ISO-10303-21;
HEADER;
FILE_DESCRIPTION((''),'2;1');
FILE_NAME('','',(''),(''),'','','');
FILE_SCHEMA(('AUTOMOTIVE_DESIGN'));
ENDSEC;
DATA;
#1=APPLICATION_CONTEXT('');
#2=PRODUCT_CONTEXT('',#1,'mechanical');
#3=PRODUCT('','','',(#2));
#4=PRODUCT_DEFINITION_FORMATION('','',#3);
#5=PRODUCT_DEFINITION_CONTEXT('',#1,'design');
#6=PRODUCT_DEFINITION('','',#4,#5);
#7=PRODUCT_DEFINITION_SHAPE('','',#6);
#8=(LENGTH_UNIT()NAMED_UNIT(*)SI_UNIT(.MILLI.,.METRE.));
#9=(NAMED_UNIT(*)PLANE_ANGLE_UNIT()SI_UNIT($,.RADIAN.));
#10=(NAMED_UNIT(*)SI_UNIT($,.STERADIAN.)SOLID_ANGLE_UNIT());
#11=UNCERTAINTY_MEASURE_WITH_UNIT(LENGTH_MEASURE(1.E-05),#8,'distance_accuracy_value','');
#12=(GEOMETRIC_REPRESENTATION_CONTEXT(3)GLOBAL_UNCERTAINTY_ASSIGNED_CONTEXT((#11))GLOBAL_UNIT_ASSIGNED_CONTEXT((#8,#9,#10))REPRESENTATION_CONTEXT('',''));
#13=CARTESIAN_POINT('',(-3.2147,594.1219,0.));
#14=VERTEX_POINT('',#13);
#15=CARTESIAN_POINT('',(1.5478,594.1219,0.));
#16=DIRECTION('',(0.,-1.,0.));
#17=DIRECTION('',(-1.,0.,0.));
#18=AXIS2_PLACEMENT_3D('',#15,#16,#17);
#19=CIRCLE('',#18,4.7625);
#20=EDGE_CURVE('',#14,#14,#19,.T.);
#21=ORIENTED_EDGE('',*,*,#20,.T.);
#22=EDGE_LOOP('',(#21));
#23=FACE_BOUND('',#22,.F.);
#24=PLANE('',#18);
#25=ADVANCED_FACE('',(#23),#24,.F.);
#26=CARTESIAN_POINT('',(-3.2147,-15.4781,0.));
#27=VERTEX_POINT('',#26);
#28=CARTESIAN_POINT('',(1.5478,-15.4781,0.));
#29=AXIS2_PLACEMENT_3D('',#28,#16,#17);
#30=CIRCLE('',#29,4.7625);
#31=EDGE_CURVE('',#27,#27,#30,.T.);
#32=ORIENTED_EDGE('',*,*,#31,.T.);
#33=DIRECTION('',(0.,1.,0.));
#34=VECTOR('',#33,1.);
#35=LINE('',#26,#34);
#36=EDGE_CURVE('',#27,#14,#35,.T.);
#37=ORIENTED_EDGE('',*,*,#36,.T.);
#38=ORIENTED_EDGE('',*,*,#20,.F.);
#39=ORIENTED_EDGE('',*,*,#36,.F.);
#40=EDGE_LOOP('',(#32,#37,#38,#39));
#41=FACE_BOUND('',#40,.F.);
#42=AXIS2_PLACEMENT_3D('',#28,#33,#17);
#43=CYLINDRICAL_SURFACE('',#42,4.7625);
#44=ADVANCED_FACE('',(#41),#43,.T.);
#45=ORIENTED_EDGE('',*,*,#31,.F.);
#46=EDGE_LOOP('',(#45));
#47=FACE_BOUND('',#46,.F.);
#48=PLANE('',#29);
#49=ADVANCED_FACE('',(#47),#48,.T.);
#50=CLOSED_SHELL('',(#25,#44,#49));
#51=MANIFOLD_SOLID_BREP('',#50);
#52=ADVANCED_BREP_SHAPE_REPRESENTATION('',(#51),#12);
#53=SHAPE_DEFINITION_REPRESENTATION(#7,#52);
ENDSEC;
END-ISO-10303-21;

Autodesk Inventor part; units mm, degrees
ref_plane "YZ Plane" through (0, 0, 0) normal (1, 0, 0) x (0, 1, 0)
ref_plane "XZ Plane" through (0, 0, 0) normal (0, 1, 0) x (-1, 0, 0)
ref_plane "XY Plane" through (0, 0, 0) normal (0, 0, 1) x (1, 0, 0)
sketch "Sketch1" plane through (0, 0, 0) normal (0, 0, 1) x (1, 0, 0)
  line L0 (-3.2147, 594.1219) -> (1.5478, 594.1219)
  line L1 (1.5478, 594.1219) -> (1.5478, -15.4781)
  line L2 (1.5478, -15.4781) -> (-3.2147, -15.4781)
  line L3 (-3.2147, -15.4781) -> (-3.2147, 594.1219)
  point P0 (0, 0)
  dimension "d1" = 4.7625
  dimension "d2" = 609.6
revolve "Revolution1" add sketch "Sketch1" angle 360 about axis through (1.5478, 594.1219, 0) along (0, -1, 0)
properties part number "Rod Central"
